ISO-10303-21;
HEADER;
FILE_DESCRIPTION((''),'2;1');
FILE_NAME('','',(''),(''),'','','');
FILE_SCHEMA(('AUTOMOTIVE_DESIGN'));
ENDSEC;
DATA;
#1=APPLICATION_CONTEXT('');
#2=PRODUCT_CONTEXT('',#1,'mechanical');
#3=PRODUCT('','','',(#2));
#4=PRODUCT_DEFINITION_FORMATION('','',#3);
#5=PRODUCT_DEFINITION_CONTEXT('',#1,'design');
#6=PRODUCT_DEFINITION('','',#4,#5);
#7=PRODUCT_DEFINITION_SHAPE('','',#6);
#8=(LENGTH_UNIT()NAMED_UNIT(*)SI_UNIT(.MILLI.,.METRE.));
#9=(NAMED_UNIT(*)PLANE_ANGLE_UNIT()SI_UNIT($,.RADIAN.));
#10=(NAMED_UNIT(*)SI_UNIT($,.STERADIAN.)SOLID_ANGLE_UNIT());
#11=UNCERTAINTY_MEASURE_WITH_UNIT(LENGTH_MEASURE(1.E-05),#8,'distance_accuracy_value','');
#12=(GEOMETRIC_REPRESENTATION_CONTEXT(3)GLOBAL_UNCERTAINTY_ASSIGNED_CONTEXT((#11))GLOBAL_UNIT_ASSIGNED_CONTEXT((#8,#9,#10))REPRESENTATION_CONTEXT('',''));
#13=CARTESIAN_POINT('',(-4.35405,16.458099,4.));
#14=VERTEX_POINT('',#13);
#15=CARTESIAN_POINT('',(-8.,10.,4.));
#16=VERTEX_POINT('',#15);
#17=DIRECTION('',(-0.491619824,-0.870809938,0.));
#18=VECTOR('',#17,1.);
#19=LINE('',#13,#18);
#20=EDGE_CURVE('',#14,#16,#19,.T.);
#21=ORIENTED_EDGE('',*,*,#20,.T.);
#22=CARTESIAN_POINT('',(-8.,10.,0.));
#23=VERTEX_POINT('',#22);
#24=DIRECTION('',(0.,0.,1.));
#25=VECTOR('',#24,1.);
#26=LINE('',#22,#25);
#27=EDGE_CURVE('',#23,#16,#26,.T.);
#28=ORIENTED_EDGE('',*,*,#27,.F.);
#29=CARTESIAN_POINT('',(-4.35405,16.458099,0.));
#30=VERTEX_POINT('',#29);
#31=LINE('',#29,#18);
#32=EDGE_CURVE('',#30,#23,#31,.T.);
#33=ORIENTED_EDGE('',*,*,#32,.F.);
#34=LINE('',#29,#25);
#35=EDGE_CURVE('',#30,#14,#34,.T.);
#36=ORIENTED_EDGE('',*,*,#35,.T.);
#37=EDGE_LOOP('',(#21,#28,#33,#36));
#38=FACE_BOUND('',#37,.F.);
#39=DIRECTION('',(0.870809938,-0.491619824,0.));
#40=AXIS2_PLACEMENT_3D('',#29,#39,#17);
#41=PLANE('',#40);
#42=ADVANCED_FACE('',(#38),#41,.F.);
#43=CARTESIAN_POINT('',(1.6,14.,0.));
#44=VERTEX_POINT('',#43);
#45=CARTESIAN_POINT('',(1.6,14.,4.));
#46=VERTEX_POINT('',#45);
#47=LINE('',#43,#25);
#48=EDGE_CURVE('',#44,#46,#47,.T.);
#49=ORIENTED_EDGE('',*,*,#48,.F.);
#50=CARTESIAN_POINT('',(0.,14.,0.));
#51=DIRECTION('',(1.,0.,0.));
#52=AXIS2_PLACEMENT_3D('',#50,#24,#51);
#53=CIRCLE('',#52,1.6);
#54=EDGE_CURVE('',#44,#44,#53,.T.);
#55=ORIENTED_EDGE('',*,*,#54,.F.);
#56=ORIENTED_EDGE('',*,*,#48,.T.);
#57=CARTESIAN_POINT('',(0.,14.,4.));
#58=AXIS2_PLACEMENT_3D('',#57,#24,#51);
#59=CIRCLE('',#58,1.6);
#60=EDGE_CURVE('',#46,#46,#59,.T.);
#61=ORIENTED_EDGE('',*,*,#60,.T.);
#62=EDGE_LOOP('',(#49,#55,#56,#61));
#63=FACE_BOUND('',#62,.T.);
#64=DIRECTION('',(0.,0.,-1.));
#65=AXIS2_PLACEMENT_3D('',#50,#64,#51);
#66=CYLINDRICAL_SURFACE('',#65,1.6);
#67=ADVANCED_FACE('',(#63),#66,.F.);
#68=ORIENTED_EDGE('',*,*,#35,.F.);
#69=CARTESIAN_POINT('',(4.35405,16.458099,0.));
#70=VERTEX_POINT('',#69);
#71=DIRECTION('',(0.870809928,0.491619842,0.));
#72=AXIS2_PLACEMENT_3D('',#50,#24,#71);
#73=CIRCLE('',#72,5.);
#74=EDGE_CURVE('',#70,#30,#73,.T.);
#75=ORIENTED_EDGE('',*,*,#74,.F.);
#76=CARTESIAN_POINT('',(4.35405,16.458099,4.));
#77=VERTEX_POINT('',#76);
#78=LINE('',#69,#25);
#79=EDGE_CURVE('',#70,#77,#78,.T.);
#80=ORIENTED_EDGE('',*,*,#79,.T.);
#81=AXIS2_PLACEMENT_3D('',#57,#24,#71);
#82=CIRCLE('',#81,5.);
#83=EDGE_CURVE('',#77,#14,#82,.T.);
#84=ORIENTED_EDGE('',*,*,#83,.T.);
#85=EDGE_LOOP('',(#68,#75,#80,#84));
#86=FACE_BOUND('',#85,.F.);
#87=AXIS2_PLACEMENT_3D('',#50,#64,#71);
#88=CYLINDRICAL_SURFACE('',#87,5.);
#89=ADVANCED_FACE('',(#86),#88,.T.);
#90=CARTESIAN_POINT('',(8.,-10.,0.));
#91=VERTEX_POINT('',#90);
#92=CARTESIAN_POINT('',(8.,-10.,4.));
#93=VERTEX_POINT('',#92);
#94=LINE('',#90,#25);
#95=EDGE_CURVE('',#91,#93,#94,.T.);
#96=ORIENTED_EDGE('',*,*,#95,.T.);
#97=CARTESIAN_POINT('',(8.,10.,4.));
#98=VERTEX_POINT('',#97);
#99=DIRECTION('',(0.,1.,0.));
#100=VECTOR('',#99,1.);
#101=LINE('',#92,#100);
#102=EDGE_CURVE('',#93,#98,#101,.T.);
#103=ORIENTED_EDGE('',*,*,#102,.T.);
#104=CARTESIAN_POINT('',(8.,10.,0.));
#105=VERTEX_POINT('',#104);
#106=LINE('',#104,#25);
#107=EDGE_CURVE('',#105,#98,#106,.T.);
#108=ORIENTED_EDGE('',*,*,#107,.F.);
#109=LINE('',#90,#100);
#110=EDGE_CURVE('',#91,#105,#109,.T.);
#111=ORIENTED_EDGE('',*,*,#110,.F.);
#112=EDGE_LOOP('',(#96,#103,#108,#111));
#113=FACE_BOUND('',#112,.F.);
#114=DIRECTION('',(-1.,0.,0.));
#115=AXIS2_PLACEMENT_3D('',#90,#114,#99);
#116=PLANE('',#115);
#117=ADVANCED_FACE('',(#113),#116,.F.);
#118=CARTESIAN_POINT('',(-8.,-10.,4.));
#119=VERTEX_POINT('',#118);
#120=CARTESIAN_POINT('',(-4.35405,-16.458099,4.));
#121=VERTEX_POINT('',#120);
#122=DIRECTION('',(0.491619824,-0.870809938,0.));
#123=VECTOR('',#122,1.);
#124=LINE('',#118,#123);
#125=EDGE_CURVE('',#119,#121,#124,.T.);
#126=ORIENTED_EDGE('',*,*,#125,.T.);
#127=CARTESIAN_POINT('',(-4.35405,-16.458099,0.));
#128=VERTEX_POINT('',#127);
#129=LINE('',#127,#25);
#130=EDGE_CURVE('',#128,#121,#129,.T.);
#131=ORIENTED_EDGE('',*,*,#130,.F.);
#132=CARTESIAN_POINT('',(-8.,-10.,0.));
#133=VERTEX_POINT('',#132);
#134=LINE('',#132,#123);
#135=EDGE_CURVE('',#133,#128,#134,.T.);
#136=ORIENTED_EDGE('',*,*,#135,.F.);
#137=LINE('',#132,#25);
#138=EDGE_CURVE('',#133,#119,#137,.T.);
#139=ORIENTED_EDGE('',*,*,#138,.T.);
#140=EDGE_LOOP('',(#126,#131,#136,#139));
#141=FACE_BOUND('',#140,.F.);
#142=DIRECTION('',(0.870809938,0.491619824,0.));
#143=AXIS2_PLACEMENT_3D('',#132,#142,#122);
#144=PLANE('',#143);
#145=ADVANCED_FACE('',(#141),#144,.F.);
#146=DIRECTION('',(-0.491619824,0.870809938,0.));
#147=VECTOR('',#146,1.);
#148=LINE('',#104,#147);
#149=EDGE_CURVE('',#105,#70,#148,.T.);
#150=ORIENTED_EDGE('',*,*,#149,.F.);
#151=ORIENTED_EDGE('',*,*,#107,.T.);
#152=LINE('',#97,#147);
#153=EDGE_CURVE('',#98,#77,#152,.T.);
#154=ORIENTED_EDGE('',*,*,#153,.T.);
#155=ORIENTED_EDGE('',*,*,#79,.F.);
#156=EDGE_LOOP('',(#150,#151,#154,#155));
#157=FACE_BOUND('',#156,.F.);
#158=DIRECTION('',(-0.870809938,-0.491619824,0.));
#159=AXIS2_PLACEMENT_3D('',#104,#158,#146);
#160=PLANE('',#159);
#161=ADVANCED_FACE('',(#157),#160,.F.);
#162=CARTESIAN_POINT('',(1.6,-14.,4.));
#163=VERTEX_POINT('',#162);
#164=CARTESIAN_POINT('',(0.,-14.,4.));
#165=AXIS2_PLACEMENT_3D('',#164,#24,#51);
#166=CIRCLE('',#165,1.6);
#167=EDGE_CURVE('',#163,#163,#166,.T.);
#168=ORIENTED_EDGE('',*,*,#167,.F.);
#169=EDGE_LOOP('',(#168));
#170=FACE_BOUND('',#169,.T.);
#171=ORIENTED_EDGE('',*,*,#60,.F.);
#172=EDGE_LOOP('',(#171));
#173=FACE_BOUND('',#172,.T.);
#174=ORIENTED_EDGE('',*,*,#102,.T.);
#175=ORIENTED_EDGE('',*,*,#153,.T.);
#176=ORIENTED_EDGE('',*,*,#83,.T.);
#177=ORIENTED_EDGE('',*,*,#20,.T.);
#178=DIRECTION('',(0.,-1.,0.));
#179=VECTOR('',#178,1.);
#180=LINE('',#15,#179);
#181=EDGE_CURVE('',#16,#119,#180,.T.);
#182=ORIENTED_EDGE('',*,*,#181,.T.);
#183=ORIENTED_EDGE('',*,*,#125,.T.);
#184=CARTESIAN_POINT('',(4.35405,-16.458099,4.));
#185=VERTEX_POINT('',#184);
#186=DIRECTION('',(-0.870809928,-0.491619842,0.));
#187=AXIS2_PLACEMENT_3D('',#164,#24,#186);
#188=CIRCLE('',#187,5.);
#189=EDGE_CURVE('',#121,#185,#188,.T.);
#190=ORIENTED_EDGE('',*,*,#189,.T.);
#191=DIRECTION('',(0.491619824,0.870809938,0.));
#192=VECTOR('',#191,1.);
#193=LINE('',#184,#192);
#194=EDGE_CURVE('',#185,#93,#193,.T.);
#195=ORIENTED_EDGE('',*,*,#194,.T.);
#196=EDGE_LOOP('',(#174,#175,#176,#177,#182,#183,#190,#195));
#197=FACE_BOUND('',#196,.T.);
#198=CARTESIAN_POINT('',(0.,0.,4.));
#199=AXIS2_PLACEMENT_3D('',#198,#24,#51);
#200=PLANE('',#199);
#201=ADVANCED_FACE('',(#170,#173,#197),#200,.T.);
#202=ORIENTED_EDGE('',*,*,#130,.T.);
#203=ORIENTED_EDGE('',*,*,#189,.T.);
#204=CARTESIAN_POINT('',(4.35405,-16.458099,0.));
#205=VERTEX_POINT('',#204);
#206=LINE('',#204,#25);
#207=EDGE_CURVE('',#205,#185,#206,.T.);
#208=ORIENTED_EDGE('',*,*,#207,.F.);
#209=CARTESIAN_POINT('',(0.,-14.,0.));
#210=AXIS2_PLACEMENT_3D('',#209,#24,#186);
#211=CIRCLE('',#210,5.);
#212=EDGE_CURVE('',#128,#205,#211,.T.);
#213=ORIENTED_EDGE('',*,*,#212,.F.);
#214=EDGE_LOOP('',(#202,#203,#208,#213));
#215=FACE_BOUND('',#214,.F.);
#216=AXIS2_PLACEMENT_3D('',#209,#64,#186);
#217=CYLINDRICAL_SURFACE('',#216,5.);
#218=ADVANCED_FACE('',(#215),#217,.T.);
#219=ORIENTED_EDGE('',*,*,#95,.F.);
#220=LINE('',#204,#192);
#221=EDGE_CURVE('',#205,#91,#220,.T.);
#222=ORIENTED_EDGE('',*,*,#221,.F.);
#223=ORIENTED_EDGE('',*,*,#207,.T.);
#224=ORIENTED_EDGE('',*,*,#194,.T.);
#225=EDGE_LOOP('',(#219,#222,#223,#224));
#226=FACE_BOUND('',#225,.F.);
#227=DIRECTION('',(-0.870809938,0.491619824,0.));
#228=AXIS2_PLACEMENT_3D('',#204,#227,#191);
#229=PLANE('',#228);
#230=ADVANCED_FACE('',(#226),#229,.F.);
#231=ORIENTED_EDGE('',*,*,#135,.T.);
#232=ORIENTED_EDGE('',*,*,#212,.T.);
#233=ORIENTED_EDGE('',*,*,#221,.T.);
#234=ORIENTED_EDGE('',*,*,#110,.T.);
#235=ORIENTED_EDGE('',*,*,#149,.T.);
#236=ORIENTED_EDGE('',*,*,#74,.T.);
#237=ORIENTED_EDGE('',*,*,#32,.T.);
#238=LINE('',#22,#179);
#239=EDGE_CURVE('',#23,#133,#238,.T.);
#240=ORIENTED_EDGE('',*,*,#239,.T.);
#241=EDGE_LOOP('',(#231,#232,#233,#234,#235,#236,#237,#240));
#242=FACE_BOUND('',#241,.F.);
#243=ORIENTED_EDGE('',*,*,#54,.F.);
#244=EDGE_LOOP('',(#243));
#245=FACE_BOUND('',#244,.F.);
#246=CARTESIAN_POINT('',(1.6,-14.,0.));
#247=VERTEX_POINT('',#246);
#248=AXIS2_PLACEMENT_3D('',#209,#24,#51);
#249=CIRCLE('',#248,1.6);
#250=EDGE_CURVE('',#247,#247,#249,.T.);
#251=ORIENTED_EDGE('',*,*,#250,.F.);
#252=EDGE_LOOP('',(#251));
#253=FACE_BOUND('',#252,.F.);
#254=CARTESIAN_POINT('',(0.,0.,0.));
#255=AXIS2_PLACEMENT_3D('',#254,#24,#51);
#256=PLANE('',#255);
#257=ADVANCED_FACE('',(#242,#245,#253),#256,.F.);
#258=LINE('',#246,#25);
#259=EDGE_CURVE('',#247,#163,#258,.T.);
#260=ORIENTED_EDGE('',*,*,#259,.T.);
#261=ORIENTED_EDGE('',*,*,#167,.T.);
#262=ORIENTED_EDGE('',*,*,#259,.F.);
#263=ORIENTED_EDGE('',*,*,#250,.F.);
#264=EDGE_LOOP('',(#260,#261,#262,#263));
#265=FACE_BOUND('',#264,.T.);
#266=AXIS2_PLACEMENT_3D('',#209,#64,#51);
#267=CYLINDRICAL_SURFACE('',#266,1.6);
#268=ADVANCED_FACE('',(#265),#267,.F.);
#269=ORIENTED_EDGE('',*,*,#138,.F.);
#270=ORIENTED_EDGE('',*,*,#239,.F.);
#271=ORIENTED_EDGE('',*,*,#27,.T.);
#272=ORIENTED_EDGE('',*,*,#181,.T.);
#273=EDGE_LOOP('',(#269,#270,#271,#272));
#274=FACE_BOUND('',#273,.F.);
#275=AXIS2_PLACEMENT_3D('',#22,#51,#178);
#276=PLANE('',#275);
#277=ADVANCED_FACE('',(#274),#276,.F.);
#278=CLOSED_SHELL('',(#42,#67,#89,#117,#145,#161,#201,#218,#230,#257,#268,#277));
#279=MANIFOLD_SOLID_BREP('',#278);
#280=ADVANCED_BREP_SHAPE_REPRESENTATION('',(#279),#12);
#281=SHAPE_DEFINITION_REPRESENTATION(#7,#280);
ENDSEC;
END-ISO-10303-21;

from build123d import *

# Parameters (mm, degrees)
SKETCH_R  = 1.6
PAD_DEPTH = 4


with BuildPart() as part:
    # Sketch → Pad (new body)
    with BuildSketch(Plane.XY):
        with BuildLine():
            ThreePointArc((4.35405, 16.458099), (0, 19), (-4.35405, 16.458099))
            Line((-4.35405, 16.458099), (-8, 10))
            Line((-8, 10), (-8, -10))
            Line((-8, -10), (-4.35405, -16.458099))
            ThreePointArc((-4.35405, -16.458099), (0, -19), (4.35405, -16.458099))
            Line((4.35405, -16.458099), (8, -10))
            Line((8, -10), (8, 10))
            Line((8, 10), (4.35405, 16.458099))
        make_face()
        with Locations((0, 14)):
            Circle(SKETCH_R, mode=Mode.SUBTRACT)
        with Locations((0, -14)):
            Circle(SKETCH_R, mode=Mode.SUBTRACT)
    extrude(amount=PAD_DEPTH)


solid = part.part
